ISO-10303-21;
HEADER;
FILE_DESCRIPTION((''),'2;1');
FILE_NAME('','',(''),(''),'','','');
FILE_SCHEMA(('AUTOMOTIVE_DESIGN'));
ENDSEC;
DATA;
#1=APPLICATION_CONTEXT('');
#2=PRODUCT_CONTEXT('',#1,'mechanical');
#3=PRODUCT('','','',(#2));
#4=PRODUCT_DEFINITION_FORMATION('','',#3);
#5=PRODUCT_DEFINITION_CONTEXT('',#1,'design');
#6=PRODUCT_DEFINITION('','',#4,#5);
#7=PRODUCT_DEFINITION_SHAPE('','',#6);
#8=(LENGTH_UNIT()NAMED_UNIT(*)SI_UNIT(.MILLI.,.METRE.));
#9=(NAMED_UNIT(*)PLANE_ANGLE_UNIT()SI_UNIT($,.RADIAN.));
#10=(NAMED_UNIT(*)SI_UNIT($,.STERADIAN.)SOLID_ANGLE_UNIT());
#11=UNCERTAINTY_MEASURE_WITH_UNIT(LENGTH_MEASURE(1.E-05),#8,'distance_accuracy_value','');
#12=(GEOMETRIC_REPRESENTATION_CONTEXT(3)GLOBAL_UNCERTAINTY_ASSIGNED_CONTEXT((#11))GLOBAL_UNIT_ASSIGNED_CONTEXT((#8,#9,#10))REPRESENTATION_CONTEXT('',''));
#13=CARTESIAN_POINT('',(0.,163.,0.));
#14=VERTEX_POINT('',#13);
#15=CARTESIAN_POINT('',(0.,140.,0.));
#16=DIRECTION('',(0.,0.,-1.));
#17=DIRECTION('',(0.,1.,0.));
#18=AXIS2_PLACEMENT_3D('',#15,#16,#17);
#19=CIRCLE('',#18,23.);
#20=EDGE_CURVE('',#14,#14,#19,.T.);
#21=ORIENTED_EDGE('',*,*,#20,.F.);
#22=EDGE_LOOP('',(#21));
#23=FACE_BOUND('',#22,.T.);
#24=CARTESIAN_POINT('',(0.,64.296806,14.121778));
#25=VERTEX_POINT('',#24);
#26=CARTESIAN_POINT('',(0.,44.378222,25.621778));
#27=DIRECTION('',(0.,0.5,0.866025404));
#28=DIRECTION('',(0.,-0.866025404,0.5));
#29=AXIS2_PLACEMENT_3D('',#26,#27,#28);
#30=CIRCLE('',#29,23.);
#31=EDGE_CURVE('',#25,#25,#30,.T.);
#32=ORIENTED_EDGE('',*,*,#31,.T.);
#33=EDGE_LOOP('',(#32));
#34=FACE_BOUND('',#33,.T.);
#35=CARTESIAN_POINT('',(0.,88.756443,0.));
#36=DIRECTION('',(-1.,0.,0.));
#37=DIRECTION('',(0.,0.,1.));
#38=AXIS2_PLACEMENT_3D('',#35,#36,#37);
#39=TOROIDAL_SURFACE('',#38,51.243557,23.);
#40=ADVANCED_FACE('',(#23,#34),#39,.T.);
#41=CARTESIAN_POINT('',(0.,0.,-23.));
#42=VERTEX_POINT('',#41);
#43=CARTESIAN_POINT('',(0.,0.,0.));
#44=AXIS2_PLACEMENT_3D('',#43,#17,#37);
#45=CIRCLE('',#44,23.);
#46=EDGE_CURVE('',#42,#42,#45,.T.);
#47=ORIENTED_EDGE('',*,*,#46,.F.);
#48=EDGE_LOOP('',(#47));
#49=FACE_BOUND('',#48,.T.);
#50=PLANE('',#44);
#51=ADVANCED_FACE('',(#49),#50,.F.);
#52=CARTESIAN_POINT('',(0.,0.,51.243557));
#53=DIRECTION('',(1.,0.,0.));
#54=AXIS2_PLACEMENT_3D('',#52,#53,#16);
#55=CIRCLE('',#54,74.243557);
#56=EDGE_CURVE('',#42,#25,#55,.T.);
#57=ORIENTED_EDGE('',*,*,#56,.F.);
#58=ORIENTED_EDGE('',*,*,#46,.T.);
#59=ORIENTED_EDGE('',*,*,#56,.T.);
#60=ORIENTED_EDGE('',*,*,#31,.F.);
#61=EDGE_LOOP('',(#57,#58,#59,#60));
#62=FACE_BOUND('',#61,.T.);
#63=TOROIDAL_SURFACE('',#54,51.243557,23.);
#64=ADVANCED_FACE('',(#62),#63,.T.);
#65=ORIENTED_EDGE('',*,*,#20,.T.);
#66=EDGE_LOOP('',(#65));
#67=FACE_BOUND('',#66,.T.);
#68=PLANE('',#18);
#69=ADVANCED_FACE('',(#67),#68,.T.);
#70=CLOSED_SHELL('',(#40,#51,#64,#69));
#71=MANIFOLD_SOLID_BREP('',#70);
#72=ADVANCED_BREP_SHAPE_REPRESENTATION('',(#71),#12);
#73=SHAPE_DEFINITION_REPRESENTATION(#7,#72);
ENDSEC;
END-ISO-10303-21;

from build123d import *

# Parameters (mm, degrees)
SKETCH2_R = 23


with BuildPart() as part:
    # Sweep1: sweep along a path in Sketch1
    with BuildLine(Plane(origin=(0, 0, 0), x_dir=(0, 0, -1), z_dir=(1, 0, 0))) as sweep1_path:
        ThreePointArc((0, 0), (-6.865334795, 25.621778265), (-25.621778265, 44.378221735))
        ThreePointArc((-25.621778265, 44.378221735), (-49.497474683, 102.019251839), (0, 140))
    # Sketch2 → Sweep1 (sweep)
    with BuildSketch(Plane(origin=(0, 0, 0), x_dir=(1, 0, 0), z_dir=(0, 1, 0))):
        Circle(SKETCH2_R)
    sweep(path=sweep1_path.line)


solid = part.part
